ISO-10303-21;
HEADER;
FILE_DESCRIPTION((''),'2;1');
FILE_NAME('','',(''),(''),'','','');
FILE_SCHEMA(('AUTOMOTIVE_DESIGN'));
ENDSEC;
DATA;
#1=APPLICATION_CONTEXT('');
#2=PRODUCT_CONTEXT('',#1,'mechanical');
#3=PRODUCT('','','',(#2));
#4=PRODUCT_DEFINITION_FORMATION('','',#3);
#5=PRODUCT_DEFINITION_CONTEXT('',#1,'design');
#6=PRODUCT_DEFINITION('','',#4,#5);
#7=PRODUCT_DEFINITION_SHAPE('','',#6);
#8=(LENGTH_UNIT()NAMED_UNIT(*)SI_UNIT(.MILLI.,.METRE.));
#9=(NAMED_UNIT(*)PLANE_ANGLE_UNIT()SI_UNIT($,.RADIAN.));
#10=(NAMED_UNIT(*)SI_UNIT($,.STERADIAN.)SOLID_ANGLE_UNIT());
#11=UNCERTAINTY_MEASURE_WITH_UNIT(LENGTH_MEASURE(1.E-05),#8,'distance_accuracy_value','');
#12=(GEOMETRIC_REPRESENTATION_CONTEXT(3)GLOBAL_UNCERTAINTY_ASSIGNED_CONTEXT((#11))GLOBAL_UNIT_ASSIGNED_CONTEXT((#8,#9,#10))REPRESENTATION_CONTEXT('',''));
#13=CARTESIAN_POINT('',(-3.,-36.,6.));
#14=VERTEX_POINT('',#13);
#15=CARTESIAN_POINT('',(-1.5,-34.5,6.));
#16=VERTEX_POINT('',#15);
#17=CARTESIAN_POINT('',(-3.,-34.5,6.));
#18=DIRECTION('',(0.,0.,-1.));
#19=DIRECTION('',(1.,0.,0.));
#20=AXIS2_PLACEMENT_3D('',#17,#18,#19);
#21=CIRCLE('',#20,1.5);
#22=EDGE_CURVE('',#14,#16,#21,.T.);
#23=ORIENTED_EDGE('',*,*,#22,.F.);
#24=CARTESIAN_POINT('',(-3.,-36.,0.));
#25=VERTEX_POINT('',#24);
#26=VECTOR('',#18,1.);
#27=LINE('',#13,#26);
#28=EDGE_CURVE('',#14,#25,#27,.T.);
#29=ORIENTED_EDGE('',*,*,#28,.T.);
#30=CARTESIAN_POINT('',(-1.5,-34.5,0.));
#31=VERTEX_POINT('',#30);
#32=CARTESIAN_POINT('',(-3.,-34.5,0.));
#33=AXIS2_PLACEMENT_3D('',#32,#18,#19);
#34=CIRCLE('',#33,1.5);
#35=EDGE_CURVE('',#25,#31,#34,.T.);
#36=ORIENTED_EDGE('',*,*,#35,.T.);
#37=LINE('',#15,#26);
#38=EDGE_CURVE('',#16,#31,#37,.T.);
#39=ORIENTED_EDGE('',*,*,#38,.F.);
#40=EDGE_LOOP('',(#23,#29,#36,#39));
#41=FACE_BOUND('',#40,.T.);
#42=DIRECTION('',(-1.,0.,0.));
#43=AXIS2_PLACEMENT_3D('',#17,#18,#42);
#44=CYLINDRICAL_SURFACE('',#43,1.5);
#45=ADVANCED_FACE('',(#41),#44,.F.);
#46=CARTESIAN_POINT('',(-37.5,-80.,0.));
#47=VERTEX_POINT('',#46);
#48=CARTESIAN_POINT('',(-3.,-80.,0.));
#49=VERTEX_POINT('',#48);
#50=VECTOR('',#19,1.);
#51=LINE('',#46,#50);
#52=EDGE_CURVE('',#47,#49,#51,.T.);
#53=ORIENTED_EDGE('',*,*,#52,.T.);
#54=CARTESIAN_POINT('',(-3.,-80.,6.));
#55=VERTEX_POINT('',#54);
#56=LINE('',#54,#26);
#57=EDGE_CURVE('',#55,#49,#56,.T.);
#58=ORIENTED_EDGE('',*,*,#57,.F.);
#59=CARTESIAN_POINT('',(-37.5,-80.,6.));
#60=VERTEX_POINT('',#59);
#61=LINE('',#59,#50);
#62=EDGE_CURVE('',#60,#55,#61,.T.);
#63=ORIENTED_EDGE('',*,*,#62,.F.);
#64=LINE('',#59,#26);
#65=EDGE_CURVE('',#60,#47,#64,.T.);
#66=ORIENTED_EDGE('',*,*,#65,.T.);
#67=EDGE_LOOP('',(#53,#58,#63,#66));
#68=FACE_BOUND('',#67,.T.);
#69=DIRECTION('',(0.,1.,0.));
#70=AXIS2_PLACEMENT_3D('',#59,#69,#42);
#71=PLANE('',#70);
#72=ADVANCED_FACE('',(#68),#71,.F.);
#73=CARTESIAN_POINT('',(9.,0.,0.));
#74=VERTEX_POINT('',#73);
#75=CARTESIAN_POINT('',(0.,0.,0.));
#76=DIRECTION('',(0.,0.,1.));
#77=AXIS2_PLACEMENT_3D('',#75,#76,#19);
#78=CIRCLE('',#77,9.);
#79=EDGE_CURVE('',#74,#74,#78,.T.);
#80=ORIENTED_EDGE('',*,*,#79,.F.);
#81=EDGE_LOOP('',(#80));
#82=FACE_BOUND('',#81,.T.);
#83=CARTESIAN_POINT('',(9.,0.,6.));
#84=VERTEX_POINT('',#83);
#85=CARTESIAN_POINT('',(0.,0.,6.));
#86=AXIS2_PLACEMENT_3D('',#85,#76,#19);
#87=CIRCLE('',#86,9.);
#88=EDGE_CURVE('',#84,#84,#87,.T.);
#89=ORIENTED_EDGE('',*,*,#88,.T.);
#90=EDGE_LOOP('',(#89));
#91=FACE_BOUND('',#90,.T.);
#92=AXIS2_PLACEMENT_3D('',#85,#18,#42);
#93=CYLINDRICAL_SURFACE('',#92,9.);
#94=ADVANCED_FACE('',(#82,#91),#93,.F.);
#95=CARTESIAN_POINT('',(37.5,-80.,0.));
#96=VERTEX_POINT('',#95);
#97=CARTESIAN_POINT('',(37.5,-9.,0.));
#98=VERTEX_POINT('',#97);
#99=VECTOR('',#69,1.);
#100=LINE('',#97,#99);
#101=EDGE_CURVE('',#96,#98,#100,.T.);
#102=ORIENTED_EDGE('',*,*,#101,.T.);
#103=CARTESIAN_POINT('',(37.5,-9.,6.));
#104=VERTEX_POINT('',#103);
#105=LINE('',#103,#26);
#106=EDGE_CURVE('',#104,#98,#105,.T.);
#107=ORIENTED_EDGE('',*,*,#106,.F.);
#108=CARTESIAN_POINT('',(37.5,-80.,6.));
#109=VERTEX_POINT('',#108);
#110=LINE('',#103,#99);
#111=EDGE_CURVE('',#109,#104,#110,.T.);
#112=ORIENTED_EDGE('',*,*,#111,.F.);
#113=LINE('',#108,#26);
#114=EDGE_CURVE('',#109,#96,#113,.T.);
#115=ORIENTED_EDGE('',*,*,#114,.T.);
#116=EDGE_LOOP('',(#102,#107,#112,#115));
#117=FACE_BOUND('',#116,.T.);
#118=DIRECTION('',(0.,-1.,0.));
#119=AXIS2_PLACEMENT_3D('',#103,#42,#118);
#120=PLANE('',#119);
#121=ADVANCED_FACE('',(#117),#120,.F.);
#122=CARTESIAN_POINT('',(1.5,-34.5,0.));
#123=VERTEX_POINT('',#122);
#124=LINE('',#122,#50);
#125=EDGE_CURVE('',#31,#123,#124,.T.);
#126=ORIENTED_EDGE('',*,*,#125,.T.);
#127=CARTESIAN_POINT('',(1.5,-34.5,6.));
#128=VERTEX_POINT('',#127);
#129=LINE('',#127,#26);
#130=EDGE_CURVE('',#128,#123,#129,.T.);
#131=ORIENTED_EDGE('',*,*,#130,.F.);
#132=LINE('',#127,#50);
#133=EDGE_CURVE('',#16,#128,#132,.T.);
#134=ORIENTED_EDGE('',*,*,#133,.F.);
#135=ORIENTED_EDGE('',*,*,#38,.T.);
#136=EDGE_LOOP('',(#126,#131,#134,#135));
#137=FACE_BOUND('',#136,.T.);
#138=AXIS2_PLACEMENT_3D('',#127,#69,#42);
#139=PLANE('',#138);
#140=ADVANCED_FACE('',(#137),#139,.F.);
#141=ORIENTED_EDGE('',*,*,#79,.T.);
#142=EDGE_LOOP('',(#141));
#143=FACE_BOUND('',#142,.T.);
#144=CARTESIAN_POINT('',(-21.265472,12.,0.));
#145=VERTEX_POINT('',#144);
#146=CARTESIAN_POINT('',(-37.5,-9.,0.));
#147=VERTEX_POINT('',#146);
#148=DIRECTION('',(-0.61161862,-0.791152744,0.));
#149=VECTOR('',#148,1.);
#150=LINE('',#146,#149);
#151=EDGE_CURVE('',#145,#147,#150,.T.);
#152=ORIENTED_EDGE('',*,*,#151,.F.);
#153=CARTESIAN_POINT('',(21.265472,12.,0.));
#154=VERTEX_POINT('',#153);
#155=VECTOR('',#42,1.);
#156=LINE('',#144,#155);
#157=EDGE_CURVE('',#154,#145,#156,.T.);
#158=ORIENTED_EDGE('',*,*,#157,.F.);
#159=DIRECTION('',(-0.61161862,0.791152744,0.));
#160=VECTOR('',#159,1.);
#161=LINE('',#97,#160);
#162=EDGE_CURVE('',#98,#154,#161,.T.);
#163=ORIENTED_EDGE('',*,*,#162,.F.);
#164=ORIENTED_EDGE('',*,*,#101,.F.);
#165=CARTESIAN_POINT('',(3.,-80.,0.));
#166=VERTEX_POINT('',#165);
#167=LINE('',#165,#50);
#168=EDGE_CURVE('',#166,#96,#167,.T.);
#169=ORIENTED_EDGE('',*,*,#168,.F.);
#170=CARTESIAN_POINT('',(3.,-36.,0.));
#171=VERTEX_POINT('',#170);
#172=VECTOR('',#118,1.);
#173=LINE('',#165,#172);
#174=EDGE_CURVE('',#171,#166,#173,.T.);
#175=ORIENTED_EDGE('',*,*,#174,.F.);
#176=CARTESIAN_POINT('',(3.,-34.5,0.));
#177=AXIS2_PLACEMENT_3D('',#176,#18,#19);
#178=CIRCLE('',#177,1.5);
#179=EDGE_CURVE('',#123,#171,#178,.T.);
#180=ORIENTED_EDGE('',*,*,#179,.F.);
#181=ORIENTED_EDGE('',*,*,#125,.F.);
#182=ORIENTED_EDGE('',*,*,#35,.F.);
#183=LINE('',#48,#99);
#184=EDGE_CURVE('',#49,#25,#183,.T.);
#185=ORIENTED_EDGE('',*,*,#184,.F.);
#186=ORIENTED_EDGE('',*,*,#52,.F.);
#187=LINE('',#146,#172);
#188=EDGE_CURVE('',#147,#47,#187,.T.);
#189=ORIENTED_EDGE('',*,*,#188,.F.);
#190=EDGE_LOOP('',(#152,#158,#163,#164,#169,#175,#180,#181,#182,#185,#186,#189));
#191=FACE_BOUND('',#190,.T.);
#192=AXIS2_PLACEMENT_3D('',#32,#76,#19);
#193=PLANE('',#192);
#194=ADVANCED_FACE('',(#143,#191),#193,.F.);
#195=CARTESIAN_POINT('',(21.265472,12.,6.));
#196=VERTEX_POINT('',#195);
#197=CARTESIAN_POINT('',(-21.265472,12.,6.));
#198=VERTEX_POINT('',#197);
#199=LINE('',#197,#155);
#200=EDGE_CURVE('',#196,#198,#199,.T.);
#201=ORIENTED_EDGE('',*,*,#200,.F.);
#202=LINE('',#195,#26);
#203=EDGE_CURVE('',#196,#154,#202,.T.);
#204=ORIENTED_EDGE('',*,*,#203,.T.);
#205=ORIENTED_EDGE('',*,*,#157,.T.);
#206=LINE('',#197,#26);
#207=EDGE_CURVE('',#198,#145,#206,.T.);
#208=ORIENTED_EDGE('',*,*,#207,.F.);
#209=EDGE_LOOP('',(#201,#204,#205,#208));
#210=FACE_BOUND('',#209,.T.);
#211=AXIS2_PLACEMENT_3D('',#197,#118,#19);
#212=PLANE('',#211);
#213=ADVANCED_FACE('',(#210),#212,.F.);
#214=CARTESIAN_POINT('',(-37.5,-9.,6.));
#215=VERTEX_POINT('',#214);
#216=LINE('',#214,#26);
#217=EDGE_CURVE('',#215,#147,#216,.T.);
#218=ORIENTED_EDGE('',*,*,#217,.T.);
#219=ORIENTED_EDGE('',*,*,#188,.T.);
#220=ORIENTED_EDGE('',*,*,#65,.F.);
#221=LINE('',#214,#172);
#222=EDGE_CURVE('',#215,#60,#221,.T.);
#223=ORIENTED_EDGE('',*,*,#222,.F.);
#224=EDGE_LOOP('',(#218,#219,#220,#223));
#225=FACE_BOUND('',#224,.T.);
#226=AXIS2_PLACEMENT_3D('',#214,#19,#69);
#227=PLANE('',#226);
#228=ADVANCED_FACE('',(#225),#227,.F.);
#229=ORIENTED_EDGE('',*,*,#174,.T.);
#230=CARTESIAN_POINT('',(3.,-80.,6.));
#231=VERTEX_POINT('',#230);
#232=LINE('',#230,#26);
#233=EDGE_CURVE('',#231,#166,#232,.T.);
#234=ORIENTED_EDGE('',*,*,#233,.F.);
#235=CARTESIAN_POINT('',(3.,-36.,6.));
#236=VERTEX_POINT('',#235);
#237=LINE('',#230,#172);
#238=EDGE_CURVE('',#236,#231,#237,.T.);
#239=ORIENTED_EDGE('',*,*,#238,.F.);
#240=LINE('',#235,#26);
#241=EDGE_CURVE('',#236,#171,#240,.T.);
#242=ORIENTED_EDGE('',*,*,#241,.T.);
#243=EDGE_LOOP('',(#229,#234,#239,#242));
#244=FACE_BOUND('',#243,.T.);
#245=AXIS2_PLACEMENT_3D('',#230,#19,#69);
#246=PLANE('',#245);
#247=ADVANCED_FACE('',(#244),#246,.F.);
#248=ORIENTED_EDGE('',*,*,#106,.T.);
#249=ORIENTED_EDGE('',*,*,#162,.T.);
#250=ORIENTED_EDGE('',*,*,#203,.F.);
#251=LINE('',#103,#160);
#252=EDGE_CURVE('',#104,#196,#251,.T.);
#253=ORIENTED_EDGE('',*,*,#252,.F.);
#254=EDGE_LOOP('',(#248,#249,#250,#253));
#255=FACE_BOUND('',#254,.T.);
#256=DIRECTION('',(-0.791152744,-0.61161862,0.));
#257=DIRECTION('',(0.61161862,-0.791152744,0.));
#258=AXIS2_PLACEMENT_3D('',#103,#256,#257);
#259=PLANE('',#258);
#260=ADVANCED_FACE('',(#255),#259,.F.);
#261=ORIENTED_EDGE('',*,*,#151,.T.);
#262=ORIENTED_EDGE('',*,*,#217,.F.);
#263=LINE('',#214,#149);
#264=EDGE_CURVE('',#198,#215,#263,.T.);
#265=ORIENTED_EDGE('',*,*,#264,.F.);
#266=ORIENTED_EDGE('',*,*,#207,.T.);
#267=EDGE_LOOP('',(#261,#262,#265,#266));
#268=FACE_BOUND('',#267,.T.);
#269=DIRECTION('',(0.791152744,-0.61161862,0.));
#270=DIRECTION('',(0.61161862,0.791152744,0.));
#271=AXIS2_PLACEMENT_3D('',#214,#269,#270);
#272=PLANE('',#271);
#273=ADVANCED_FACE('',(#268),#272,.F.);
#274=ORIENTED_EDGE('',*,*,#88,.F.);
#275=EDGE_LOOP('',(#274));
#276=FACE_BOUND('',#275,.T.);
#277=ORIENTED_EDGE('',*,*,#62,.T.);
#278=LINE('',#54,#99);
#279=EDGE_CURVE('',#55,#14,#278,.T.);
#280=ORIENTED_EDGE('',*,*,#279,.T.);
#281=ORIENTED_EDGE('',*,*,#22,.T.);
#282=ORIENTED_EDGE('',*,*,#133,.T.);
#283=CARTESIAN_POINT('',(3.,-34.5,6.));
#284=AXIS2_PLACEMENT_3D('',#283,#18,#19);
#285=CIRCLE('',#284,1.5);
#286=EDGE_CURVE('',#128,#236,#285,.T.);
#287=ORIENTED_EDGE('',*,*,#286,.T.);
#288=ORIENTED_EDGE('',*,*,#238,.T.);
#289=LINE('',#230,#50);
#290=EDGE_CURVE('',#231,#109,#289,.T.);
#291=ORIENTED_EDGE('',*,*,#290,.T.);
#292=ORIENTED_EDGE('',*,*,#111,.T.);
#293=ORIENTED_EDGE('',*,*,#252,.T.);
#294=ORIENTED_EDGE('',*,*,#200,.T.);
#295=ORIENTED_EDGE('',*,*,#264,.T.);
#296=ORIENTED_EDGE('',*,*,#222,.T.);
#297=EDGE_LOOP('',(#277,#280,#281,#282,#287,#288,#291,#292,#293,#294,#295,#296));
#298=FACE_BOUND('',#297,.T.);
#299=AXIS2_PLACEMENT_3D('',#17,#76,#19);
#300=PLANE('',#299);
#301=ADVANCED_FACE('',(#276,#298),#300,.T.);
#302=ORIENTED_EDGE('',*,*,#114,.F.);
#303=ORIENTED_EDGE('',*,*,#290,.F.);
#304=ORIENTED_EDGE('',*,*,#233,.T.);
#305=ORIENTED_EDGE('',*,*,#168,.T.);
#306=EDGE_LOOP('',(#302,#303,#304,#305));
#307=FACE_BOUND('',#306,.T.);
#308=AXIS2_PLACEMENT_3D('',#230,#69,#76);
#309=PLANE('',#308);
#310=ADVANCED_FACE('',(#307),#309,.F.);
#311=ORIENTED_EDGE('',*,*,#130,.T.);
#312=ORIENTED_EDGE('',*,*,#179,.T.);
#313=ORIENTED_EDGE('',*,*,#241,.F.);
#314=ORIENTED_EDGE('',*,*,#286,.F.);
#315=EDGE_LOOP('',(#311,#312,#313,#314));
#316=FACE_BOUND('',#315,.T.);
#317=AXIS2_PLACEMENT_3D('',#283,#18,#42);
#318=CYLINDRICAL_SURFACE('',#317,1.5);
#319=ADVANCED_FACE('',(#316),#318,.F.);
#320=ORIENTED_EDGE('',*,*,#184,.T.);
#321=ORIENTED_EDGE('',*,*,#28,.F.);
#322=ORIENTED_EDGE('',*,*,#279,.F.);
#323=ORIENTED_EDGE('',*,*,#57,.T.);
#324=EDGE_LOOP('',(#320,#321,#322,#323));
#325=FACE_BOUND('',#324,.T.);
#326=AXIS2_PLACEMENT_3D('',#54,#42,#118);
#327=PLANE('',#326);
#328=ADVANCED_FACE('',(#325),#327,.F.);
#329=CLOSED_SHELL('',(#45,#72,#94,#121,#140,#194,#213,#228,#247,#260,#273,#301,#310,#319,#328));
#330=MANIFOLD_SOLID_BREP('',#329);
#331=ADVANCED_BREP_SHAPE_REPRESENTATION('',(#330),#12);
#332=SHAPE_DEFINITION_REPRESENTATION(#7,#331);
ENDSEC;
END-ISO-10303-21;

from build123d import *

# Parameters (mm, degrees)
SKETCH1_R           = 9
BOSS_EXTRUDE1_DEPTH = 6


with BuildPart() as part:
    # Sketch1 → Boss-Extrude1 (new body)
    with BuildSketch(Plane.XY):
        with BuildLine():
            Line((-37.5, -9), (-21.265472453, 12))
            Line((-21.265472453, 12), (21.265472453, 12))
            Line((21.265472453, 12), (37.5, -9))
            Line((37.5, -9), (37.5, -80))
            Line((37.5, -80), (3, -80))
            Line((3, -80), (3, -36))
            ThreePointArc((3, -36), (4.060660172, -33.439339828), (1.5, -34.5))
            Line((1.5, -34.5), (-1.5, -34.5))
            ThreePointArc((-1.5, -34.5), (-4.060660172, -33.439339828), (-3, -36))
            Line((-3, -36), (-3, -80))
            Line((-3, -80), (-37.5, -80))
            Line((-37.5, -80), (-37.5, -9))
        make_face()
        Circle(SKETCH1_R, mode=Mode.SUBTRACT)
    extrude(amount=BOSS_EXTRUDE1_DEPTH)


solid = part.part
